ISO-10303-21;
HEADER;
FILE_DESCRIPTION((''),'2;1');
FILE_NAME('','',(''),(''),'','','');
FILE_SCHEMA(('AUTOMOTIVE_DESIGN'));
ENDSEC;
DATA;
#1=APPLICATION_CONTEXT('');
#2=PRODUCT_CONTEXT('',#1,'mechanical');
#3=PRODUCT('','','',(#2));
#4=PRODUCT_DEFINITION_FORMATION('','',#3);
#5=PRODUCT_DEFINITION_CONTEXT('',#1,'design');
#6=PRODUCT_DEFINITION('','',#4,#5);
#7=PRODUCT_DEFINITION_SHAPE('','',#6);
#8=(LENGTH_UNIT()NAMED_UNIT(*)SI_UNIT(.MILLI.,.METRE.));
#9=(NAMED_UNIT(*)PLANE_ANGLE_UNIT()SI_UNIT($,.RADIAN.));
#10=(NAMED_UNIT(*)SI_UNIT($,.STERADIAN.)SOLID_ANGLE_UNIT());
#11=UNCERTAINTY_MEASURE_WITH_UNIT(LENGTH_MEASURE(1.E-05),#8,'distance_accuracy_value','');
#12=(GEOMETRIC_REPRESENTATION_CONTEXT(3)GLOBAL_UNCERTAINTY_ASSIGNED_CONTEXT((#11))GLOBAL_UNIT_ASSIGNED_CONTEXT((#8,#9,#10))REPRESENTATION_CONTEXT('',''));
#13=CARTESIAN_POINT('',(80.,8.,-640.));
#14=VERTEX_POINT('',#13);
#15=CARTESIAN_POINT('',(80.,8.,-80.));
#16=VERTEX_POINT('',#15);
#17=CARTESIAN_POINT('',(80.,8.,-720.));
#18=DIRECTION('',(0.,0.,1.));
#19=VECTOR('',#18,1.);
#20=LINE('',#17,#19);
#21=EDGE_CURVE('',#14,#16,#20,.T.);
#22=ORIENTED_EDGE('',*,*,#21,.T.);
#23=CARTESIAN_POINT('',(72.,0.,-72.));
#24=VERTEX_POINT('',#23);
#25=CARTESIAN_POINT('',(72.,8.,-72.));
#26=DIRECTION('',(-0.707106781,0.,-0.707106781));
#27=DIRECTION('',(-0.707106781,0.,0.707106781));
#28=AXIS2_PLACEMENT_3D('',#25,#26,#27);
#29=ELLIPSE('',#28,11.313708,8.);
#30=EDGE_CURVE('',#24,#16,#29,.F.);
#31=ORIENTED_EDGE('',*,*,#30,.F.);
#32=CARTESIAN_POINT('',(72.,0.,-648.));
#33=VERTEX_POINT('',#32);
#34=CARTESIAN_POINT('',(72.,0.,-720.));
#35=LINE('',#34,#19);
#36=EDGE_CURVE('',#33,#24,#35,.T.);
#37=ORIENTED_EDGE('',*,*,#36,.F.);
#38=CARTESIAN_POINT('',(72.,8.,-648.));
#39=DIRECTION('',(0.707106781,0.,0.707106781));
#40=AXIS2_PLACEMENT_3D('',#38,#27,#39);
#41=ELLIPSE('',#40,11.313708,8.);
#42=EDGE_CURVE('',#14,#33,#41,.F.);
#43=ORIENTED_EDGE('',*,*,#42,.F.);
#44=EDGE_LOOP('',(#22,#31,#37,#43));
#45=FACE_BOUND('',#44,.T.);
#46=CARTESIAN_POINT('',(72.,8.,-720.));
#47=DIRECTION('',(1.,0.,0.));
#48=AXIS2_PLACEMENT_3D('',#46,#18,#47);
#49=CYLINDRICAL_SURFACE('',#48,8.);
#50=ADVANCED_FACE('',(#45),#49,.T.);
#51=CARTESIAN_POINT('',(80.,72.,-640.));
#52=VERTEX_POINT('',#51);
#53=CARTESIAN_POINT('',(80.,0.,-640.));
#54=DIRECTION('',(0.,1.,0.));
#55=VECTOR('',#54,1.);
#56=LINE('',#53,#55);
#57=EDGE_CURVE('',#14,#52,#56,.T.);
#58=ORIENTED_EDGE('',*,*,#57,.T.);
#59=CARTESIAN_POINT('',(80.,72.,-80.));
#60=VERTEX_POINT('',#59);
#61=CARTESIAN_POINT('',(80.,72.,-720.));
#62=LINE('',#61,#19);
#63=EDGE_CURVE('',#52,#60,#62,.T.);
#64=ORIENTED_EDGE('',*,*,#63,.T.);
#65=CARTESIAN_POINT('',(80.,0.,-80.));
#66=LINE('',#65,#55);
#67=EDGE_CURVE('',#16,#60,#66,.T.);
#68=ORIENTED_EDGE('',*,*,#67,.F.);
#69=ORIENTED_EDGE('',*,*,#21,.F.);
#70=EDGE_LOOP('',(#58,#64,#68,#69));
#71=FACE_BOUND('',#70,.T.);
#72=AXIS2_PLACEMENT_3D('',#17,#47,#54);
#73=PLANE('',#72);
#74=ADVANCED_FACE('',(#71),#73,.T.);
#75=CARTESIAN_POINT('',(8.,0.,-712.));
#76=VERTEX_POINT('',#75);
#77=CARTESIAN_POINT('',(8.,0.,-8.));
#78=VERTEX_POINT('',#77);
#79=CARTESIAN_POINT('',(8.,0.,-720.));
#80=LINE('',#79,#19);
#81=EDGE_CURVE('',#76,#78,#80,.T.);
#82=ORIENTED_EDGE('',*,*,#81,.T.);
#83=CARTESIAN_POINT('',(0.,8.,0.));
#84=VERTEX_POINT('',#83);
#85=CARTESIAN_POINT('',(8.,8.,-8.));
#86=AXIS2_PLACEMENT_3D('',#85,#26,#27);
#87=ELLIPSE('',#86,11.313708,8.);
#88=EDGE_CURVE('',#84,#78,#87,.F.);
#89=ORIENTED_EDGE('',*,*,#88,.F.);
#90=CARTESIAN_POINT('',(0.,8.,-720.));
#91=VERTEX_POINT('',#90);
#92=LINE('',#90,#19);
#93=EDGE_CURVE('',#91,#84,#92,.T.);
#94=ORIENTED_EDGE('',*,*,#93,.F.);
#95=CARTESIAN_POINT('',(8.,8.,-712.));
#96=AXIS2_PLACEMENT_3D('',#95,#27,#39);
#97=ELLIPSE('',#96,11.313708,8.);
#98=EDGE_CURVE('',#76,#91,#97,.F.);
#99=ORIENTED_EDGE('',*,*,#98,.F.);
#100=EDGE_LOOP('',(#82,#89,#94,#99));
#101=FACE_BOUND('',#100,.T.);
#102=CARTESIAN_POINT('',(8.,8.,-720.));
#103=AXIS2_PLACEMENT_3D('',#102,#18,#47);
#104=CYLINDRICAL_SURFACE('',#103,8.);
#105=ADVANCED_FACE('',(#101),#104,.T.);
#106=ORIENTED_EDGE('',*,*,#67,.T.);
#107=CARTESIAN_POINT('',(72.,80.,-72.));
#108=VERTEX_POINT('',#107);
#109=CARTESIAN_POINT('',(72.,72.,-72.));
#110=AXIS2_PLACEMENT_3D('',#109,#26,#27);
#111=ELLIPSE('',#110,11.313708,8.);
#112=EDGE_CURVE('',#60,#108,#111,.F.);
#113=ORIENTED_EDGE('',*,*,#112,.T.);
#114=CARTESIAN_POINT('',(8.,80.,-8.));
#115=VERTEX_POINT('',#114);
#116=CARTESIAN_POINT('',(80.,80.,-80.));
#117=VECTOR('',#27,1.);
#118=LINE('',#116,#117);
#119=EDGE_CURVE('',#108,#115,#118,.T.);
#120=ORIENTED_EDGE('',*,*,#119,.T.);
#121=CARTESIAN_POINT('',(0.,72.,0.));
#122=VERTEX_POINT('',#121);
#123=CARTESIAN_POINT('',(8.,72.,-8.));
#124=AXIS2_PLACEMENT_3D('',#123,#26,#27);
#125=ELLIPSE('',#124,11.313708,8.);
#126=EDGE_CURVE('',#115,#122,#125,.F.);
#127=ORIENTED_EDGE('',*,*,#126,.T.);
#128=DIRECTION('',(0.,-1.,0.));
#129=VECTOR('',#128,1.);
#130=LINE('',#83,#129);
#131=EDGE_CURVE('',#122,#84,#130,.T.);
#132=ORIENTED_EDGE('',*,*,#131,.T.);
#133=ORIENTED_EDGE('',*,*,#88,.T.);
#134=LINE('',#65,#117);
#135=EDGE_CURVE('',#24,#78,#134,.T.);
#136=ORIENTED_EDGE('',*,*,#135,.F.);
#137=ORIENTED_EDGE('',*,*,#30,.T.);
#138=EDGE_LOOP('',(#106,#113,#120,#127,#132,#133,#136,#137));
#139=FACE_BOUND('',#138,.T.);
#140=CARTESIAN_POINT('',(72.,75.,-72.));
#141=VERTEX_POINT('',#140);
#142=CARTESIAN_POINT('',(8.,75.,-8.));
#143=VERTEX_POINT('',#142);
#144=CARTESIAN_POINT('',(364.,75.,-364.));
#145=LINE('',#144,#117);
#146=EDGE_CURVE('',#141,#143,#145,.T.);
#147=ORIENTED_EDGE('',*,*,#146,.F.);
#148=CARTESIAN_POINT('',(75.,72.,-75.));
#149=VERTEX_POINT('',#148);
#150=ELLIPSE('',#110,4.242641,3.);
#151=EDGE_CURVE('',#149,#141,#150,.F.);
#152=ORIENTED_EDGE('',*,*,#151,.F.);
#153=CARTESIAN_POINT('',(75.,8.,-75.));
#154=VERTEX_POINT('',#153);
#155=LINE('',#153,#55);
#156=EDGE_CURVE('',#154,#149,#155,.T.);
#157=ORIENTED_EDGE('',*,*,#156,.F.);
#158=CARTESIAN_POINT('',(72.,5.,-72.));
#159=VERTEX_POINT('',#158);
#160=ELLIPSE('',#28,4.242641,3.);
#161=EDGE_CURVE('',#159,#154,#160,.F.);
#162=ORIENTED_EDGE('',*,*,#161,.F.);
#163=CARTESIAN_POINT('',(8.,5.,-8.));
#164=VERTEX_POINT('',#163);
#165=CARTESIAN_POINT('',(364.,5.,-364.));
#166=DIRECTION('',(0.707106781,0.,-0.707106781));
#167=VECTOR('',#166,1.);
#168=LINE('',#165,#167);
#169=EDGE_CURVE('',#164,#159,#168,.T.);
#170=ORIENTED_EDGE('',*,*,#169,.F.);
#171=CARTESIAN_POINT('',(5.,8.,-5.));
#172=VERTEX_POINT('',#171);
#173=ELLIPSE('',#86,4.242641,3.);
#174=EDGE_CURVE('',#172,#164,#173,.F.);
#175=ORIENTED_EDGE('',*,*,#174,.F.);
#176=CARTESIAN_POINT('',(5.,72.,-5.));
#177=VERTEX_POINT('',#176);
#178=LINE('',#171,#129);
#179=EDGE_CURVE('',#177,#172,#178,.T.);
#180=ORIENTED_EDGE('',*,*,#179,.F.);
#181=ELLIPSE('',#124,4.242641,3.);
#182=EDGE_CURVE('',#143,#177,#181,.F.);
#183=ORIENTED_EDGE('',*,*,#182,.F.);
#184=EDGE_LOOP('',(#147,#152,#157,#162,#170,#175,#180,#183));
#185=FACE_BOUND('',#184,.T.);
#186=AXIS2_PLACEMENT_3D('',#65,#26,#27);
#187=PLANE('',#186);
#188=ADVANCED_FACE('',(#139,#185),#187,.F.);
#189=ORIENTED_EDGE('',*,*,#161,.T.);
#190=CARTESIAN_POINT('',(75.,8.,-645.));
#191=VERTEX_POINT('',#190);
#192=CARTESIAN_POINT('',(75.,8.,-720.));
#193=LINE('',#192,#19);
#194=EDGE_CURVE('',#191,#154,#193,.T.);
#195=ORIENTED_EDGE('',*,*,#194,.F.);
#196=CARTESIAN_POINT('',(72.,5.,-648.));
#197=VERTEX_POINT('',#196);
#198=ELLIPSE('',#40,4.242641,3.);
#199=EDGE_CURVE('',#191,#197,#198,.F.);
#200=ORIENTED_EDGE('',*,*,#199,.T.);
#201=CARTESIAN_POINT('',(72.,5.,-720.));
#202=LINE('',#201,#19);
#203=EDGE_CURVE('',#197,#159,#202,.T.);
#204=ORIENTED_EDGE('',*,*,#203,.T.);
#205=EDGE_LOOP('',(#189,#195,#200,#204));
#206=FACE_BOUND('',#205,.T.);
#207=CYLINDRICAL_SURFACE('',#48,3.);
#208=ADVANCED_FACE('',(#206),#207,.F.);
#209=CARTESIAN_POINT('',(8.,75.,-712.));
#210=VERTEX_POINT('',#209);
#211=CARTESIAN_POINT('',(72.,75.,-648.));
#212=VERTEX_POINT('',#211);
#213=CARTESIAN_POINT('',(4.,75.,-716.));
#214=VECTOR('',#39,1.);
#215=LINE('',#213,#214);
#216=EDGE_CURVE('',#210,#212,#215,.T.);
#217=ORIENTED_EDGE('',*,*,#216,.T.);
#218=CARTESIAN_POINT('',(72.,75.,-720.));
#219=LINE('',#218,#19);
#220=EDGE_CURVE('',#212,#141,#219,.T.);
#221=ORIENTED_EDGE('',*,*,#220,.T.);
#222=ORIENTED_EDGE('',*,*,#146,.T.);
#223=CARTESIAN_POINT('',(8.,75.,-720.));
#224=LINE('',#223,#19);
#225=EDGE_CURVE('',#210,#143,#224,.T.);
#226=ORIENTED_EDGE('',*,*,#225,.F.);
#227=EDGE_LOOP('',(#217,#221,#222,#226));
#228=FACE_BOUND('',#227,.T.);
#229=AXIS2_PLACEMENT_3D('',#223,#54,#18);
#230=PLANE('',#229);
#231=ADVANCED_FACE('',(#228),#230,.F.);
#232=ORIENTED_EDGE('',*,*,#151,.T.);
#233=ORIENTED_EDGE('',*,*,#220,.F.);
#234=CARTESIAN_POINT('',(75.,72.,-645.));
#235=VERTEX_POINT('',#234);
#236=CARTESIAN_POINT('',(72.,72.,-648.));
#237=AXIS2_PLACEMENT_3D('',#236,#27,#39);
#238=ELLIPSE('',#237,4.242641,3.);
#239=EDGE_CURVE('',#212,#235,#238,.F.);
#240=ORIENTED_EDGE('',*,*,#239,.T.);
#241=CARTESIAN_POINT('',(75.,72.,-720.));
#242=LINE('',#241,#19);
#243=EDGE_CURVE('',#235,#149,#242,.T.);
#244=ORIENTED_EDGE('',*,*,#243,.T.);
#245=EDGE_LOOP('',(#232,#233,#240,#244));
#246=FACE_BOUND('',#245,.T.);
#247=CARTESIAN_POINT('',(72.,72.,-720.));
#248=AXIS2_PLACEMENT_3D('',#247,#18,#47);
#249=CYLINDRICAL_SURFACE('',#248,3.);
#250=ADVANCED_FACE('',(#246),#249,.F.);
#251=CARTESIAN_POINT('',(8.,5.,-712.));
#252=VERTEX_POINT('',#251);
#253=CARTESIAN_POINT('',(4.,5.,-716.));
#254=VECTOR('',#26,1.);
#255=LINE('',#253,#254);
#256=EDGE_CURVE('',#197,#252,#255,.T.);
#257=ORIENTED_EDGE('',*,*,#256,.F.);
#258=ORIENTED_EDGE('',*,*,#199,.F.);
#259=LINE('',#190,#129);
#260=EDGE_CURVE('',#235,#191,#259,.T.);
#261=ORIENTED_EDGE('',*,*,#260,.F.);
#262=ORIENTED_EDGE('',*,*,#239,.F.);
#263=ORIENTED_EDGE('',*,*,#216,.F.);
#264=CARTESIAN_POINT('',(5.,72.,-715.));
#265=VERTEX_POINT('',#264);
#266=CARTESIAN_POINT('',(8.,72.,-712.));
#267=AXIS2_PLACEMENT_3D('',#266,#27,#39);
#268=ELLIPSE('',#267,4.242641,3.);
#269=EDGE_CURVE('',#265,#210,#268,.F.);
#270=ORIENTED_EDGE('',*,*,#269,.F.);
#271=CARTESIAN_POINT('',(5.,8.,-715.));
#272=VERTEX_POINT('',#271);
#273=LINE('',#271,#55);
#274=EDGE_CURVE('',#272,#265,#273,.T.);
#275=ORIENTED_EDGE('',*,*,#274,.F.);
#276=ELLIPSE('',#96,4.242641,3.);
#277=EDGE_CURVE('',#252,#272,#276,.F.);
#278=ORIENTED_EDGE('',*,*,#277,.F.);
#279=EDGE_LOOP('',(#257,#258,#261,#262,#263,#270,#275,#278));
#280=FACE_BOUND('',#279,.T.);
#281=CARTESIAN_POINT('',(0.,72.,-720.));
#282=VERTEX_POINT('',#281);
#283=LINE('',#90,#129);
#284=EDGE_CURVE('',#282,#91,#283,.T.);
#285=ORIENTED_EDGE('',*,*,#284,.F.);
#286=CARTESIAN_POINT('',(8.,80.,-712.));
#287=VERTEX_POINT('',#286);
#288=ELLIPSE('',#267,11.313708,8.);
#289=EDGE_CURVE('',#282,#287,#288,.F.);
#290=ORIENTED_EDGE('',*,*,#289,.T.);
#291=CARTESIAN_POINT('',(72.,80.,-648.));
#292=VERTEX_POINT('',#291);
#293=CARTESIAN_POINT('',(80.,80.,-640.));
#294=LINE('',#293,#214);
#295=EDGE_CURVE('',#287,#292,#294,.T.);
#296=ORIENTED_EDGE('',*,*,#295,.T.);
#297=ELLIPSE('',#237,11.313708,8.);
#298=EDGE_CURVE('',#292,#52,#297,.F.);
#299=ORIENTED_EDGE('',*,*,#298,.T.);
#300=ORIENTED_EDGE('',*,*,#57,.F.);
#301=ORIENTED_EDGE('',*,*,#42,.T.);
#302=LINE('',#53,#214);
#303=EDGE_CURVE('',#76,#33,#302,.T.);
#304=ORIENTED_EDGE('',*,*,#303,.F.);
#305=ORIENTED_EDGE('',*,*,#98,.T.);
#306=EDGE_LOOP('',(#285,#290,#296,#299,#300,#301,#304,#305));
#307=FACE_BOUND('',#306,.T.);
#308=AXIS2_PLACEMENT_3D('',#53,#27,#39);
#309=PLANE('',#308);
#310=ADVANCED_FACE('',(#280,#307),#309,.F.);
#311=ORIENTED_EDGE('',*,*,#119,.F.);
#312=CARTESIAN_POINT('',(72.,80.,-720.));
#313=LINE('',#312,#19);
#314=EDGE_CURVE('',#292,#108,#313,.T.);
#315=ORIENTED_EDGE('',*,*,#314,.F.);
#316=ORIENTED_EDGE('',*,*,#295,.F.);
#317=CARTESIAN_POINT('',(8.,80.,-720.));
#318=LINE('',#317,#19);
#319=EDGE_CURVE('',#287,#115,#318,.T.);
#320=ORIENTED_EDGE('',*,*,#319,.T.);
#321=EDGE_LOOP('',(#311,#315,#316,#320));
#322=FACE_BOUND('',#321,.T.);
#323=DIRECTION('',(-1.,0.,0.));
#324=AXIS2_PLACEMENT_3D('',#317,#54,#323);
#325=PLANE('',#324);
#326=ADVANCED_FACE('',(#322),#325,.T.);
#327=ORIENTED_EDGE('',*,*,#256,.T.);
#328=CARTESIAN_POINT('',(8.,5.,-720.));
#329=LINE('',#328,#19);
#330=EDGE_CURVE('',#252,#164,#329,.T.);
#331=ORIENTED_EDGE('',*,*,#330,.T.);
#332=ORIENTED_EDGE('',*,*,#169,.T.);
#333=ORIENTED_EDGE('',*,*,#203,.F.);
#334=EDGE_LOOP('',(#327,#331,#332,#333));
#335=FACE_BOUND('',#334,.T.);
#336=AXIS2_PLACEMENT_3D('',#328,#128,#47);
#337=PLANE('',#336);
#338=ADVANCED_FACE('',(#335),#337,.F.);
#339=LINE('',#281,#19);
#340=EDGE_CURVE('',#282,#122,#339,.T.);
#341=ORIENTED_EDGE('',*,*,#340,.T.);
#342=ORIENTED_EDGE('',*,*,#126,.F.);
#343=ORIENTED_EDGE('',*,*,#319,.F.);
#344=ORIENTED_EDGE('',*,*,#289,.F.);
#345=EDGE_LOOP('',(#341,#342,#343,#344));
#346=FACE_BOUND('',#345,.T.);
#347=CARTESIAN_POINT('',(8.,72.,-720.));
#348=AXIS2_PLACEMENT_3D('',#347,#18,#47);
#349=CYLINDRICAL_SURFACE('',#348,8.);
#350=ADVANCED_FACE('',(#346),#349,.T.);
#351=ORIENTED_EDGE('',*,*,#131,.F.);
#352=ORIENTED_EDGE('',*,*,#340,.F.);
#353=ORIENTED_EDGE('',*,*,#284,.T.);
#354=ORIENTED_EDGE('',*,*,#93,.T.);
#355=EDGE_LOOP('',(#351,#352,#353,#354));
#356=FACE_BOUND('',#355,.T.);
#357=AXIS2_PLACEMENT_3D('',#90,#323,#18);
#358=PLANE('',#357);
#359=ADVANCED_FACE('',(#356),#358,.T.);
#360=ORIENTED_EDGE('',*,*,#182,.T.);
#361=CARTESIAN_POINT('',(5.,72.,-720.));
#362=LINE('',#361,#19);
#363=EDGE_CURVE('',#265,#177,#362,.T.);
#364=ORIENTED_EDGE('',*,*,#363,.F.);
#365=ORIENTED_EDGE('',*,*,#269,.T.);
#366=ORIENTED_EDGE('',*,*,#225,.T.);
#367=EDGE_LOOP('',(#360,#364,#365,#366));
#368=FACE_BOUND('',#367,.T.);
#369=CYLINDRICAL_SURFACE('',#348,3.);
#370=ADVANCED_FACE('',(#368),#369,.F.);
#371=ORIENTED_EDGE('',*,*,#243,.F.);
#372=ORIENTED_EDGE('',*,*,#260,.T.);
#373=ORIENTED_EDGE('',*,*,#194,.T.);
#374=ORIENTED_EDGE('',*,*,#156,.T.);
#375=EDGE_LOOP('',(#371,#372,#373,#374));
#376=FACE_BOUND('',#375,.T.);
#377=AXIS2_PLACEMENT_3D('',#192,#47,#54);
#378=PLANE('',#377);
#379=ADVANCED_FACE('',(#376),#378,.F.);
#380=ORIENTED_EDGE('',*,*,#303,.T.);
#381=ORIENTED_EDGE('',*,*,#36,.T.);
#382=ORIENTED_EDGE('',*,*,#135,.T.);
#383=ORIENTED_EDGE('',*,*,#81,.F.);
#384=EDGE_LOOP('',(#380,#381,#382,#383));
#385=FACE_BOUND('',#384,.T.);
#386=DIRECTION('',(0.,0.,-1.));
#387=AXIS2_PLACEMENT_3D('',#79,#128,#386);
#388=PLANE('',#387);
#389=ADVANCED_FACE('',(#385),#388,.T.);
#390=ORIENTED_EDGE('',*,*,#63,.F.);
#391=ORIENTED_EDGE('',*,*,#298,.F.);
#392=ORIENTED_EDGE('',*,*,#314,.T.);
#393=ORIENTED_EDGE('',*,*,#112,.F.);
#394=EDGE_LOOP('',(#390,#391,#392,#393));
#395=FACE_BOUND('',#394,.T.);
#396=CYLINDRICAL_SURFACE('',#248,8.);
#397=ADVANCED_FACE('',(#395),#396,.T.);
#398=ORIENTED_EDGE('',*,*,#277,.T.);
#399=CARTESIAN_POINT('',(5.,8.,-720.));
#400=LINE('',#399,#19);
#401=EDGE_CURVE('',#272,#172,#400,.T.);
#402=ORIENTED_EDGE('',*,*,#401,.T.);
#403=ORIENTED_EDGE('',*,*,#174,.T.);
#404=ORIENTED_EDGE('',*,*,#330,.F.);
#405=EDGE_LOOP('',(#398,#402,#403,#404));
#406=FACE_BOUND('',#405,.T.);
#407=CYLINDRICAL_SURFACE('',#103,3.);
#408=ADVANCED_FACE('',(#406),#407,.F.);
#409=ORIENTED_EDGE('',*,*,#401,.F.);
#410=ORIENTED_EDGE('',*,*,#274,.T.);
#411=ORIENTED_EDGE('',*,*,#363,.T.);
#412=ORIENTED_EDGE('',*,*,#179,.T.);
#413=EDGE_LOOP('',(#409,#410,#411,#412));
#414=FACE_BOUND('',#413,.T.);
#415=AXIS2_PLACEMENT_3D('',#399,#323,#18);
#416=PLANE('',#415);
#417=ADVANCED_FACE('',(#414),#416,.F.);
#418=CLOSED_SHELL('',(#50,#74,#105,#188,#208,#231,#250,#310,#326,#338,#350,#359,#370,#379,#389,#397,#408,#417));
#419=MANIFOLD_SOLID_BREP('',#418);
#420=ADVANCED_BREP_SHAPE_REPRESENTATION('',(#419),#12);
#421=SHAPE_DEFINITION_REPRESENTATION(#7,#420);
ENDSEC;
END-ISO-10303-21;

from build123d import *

# Parameters (mm, degrees)
DODANIE_WYCI_GNI_CIE1_DEPTH = 720
WYTNIJ_WYCI_GNI_CIE1_DEPTH  = 729.834686332


with BuildPart() as part:
    # Szkic1 → Dodanie-wyciągnięcie1 (new body)
    with BuildSketch(Plane.XY):
        with BuildLine():
            Line((8, 0), (72, 0))
            ThreePointArc((72, 0), (77.656854249, 2.343145751), (80, 8))
            Line((80, 8), (80, 72))
            ThreePointArc((80, 72), (77.656854249, 77.656854249), (72, 80))
            Line((72, 80), (8, 80))
            ThreePointArc((8, 80), (2.343145751, 77.656854249), (0, 72))
            Line((0, 72), (0, 8))
            ThreePointArc((0, 8), (2.343145751, 2.343145751), (8, 0))
        make_face()
        with BuildLine():
            Line((5, 8), (5, 72))
            ThreePointArc((5, 72), (5.878679656, 74.121320344), (8, 75))
            Line((8, 75), (72, 75))
            ThreePointArc((72, 75), (74.121320344, 74.121320344), (75, 72))
            Line((75, 72), (75, 8))
            ThreePointArc((75, 8), (74.121320344, 5.878679656), (72, 5))
            Line((72, 5), (8, 5))
            ThreePointArc((8, 5), (5.878679656, 5.878679656), (5, 8))
        make_face(mode=Mode.SUBTRACT)
    extrude(amount=-DODANIE_WYCI_GNI_CIE1_DEPTH)

    # Szkic2 → Wytnij-wyciągnięcie1 (cut, through all)
    with BuildSketch(Plane(origin=(0, 80, 0), x_dir=(1, 0, 0), z_dir=(0, 1, 0))):
        Polygon((0, 0), (80, 0), (80, 80), align=None)
        Polygon((80, 640), (0, 720), (80, 720), align=None)
    extrude(amount=-WYTNIJ_WYCI_GNI_CIE1_DEPTH, mode=Mode.SUBTRACT)


solid = part.part
